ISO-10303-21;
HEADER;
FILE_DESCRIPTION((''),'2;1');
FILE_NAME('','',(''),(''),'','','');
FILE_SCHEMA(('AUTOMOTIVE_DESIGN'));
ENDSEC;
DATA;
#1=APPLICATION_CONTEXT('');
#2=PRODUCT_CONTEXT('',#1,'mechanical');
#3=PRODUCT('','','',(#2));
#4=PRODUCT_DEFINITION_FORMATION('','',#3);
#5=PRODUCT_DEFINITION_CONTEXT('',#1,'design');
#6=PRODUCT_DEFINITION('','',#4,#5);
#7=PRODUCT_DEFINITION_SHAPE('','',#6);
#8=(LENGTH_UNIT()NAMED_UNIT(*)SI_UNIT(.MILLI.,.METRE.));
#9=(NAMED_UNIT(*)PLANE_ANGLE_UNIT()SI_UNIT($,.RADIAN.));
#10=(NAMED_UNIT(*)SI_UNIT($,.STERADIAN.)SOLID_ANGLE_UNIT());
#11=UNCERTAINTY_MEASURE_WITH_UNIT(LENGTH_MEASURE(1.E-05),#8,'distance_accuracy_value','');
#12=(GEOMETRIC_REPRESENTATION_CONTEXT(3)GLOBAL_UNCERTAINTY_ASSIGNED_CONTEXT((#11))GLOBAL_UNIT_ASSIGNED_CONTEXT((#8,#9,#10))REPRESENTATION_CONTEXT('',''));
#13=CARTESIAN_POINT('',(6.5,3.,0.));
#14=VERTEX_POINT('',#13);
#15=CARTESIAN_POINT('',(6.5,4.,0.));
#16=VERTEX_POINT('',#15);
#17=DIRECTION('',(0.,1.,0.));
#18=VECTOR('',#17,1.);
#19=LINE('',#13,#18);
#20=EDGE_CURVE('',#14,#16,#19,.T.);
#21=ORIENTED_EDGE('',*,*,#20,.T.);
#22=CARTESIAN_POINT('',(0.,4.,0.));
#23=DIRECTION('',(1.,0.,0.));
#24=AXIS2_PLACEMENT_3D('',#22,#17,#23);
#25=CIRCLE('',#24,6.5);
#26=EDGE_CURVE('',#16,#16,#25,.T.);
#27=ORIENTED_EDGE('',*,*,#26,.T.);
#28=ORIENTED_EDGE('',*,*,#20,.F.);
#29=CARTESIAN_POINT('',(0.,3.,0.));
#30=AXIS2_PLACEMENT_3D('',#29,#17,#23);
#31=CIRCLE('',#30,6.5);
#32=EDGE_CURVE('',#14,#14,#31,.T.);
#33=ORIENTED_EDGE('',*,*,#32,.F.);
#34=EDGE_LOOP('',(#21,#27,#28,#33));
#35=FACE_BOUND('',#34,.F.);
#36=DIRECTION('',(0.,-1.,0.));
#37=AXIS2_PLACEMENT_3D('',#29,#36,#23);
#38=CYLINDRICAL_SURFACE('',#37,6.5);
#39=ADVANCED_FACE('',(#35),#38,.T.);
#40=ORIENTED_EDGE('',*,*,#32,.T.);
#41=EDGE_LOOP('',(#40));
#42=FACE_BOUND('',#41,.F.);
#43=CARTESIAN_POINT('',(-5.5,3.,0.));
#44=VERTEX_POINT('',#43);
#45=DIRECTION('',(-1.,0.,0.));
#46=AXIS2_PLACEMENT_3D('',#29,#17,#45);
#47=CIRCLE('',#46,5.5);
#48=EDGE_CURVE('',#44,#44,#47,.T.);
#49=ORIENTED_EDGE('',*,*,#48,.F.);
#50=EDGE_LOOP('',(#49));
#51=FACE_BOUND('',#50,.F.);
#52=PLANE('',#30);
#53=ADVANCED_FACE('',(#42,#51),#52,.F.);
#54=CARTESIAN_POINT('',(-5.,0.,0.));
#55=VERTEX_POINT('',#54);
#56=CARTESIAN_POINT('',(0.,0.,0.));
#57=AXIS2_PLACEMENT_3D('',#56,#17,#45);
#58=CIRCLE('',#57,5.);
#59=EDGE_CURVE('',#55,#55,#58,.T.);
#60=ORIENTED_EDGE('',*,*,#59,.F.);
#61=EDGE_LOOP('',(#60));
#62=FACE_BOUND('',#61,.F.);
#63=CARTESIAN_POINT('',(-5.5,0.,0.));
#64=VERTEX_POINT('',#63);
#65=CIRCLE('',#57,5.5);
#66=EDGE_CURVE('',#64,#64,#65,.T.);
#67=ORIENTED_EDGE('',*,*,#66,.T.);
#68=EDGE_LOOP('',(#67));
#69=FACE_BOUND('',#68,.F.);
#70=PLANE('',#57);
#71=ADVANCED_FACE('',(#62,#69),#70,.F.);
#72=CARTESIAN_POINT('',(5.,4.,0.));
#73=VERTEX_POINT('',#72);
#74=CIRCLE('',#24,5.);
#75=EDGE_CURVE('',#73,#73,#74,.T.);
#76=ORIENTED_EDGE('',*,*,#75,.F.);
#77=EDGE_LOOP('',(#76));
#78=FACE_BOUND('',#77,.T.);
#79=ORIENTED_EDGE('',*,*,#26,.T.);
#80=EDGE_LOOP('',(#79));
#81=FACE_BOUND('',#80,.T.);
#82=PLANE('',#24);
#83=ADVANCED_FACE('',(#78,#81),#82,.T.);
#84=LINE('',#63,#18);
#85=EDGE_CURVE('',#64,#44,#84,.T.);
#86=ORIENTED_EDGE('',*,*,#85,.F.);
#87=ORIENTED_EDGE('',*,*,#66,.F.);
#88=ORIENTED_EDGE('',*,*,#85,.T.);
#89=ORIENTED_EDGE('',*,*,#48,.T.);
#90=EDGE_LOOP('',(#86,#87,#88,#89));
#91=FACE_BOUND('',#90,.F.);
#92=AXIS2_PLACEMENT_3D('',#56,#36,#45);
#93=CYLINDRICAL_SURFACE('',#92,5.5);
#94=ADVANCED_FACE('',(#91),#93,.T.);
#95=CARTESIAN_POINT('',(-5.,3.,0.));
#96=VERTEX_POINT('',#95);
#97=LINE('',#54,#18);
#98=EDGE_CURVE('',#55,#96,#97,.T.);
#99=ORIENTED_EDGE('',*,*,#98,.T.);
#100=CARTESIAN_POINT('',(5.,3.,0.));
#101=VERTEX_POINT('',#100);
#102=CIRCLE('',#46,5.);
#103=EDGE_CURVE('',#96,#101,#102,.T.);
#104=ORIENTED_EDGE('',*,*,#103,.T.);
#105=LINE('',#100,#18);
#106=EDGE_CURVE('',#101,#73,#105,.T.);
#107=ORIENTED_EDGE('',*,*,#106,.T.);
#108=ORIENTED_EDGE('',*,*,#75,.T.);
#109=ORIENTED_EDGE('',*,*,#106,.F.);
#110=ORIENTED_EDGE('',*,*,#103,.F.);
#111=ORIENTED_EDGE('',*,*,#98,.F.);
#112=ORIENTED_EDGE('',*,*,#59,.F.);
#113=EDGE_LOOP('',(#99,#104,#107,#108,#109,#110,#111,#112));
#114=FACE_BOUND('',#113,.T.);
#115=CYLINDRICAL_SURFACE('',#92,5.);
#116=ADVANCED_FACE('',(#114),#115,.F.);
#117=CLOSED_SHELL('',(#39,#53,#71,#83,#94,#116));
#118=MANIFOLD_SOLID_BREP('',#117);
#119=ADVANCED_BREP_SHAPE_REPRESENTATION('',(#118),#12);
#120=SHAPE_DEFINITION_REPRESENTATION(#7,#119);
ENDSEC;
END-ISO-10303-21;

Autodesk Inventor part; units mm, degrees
ref_plane "YZ Plane" through (0, 0, 0) normal (1, 0, 0) x (0, 1, 0)
ref_plane "XZ Plane" through (0, 0, 0) normal (0, 1, 0) x (-1, 0, 0)
ref_plane "XY Plane" through (0, 0, 0) normal (0, 0, 1) x (1, 0, 0)
sketch "Sketch1" plane through (0, 0, 0) normal (0, 1, 0) x (-1, 0, 0)
  circle A0 centre (0, 0) radius 5
  circle A1 centre (0, 0) radius 5.5
  dimension "d0" = 10
  dimension "d1" = 11
extrude "Extrusion1" add sketch "Sketch1" along normal blind 3
sketch "Sketch2" plane through (0, 3, 0) normal (0, 1, 0) x (1, 0, 0)
  circle A0 centre (0, 0) radius 6.5
  circle A1 centre (0, 0) radius 5
  dimension "d4" = 13
extrude "Extrusion2" add sketch "Sketch2" along normal blind 1
properties part number "entrada_manguera_2"
